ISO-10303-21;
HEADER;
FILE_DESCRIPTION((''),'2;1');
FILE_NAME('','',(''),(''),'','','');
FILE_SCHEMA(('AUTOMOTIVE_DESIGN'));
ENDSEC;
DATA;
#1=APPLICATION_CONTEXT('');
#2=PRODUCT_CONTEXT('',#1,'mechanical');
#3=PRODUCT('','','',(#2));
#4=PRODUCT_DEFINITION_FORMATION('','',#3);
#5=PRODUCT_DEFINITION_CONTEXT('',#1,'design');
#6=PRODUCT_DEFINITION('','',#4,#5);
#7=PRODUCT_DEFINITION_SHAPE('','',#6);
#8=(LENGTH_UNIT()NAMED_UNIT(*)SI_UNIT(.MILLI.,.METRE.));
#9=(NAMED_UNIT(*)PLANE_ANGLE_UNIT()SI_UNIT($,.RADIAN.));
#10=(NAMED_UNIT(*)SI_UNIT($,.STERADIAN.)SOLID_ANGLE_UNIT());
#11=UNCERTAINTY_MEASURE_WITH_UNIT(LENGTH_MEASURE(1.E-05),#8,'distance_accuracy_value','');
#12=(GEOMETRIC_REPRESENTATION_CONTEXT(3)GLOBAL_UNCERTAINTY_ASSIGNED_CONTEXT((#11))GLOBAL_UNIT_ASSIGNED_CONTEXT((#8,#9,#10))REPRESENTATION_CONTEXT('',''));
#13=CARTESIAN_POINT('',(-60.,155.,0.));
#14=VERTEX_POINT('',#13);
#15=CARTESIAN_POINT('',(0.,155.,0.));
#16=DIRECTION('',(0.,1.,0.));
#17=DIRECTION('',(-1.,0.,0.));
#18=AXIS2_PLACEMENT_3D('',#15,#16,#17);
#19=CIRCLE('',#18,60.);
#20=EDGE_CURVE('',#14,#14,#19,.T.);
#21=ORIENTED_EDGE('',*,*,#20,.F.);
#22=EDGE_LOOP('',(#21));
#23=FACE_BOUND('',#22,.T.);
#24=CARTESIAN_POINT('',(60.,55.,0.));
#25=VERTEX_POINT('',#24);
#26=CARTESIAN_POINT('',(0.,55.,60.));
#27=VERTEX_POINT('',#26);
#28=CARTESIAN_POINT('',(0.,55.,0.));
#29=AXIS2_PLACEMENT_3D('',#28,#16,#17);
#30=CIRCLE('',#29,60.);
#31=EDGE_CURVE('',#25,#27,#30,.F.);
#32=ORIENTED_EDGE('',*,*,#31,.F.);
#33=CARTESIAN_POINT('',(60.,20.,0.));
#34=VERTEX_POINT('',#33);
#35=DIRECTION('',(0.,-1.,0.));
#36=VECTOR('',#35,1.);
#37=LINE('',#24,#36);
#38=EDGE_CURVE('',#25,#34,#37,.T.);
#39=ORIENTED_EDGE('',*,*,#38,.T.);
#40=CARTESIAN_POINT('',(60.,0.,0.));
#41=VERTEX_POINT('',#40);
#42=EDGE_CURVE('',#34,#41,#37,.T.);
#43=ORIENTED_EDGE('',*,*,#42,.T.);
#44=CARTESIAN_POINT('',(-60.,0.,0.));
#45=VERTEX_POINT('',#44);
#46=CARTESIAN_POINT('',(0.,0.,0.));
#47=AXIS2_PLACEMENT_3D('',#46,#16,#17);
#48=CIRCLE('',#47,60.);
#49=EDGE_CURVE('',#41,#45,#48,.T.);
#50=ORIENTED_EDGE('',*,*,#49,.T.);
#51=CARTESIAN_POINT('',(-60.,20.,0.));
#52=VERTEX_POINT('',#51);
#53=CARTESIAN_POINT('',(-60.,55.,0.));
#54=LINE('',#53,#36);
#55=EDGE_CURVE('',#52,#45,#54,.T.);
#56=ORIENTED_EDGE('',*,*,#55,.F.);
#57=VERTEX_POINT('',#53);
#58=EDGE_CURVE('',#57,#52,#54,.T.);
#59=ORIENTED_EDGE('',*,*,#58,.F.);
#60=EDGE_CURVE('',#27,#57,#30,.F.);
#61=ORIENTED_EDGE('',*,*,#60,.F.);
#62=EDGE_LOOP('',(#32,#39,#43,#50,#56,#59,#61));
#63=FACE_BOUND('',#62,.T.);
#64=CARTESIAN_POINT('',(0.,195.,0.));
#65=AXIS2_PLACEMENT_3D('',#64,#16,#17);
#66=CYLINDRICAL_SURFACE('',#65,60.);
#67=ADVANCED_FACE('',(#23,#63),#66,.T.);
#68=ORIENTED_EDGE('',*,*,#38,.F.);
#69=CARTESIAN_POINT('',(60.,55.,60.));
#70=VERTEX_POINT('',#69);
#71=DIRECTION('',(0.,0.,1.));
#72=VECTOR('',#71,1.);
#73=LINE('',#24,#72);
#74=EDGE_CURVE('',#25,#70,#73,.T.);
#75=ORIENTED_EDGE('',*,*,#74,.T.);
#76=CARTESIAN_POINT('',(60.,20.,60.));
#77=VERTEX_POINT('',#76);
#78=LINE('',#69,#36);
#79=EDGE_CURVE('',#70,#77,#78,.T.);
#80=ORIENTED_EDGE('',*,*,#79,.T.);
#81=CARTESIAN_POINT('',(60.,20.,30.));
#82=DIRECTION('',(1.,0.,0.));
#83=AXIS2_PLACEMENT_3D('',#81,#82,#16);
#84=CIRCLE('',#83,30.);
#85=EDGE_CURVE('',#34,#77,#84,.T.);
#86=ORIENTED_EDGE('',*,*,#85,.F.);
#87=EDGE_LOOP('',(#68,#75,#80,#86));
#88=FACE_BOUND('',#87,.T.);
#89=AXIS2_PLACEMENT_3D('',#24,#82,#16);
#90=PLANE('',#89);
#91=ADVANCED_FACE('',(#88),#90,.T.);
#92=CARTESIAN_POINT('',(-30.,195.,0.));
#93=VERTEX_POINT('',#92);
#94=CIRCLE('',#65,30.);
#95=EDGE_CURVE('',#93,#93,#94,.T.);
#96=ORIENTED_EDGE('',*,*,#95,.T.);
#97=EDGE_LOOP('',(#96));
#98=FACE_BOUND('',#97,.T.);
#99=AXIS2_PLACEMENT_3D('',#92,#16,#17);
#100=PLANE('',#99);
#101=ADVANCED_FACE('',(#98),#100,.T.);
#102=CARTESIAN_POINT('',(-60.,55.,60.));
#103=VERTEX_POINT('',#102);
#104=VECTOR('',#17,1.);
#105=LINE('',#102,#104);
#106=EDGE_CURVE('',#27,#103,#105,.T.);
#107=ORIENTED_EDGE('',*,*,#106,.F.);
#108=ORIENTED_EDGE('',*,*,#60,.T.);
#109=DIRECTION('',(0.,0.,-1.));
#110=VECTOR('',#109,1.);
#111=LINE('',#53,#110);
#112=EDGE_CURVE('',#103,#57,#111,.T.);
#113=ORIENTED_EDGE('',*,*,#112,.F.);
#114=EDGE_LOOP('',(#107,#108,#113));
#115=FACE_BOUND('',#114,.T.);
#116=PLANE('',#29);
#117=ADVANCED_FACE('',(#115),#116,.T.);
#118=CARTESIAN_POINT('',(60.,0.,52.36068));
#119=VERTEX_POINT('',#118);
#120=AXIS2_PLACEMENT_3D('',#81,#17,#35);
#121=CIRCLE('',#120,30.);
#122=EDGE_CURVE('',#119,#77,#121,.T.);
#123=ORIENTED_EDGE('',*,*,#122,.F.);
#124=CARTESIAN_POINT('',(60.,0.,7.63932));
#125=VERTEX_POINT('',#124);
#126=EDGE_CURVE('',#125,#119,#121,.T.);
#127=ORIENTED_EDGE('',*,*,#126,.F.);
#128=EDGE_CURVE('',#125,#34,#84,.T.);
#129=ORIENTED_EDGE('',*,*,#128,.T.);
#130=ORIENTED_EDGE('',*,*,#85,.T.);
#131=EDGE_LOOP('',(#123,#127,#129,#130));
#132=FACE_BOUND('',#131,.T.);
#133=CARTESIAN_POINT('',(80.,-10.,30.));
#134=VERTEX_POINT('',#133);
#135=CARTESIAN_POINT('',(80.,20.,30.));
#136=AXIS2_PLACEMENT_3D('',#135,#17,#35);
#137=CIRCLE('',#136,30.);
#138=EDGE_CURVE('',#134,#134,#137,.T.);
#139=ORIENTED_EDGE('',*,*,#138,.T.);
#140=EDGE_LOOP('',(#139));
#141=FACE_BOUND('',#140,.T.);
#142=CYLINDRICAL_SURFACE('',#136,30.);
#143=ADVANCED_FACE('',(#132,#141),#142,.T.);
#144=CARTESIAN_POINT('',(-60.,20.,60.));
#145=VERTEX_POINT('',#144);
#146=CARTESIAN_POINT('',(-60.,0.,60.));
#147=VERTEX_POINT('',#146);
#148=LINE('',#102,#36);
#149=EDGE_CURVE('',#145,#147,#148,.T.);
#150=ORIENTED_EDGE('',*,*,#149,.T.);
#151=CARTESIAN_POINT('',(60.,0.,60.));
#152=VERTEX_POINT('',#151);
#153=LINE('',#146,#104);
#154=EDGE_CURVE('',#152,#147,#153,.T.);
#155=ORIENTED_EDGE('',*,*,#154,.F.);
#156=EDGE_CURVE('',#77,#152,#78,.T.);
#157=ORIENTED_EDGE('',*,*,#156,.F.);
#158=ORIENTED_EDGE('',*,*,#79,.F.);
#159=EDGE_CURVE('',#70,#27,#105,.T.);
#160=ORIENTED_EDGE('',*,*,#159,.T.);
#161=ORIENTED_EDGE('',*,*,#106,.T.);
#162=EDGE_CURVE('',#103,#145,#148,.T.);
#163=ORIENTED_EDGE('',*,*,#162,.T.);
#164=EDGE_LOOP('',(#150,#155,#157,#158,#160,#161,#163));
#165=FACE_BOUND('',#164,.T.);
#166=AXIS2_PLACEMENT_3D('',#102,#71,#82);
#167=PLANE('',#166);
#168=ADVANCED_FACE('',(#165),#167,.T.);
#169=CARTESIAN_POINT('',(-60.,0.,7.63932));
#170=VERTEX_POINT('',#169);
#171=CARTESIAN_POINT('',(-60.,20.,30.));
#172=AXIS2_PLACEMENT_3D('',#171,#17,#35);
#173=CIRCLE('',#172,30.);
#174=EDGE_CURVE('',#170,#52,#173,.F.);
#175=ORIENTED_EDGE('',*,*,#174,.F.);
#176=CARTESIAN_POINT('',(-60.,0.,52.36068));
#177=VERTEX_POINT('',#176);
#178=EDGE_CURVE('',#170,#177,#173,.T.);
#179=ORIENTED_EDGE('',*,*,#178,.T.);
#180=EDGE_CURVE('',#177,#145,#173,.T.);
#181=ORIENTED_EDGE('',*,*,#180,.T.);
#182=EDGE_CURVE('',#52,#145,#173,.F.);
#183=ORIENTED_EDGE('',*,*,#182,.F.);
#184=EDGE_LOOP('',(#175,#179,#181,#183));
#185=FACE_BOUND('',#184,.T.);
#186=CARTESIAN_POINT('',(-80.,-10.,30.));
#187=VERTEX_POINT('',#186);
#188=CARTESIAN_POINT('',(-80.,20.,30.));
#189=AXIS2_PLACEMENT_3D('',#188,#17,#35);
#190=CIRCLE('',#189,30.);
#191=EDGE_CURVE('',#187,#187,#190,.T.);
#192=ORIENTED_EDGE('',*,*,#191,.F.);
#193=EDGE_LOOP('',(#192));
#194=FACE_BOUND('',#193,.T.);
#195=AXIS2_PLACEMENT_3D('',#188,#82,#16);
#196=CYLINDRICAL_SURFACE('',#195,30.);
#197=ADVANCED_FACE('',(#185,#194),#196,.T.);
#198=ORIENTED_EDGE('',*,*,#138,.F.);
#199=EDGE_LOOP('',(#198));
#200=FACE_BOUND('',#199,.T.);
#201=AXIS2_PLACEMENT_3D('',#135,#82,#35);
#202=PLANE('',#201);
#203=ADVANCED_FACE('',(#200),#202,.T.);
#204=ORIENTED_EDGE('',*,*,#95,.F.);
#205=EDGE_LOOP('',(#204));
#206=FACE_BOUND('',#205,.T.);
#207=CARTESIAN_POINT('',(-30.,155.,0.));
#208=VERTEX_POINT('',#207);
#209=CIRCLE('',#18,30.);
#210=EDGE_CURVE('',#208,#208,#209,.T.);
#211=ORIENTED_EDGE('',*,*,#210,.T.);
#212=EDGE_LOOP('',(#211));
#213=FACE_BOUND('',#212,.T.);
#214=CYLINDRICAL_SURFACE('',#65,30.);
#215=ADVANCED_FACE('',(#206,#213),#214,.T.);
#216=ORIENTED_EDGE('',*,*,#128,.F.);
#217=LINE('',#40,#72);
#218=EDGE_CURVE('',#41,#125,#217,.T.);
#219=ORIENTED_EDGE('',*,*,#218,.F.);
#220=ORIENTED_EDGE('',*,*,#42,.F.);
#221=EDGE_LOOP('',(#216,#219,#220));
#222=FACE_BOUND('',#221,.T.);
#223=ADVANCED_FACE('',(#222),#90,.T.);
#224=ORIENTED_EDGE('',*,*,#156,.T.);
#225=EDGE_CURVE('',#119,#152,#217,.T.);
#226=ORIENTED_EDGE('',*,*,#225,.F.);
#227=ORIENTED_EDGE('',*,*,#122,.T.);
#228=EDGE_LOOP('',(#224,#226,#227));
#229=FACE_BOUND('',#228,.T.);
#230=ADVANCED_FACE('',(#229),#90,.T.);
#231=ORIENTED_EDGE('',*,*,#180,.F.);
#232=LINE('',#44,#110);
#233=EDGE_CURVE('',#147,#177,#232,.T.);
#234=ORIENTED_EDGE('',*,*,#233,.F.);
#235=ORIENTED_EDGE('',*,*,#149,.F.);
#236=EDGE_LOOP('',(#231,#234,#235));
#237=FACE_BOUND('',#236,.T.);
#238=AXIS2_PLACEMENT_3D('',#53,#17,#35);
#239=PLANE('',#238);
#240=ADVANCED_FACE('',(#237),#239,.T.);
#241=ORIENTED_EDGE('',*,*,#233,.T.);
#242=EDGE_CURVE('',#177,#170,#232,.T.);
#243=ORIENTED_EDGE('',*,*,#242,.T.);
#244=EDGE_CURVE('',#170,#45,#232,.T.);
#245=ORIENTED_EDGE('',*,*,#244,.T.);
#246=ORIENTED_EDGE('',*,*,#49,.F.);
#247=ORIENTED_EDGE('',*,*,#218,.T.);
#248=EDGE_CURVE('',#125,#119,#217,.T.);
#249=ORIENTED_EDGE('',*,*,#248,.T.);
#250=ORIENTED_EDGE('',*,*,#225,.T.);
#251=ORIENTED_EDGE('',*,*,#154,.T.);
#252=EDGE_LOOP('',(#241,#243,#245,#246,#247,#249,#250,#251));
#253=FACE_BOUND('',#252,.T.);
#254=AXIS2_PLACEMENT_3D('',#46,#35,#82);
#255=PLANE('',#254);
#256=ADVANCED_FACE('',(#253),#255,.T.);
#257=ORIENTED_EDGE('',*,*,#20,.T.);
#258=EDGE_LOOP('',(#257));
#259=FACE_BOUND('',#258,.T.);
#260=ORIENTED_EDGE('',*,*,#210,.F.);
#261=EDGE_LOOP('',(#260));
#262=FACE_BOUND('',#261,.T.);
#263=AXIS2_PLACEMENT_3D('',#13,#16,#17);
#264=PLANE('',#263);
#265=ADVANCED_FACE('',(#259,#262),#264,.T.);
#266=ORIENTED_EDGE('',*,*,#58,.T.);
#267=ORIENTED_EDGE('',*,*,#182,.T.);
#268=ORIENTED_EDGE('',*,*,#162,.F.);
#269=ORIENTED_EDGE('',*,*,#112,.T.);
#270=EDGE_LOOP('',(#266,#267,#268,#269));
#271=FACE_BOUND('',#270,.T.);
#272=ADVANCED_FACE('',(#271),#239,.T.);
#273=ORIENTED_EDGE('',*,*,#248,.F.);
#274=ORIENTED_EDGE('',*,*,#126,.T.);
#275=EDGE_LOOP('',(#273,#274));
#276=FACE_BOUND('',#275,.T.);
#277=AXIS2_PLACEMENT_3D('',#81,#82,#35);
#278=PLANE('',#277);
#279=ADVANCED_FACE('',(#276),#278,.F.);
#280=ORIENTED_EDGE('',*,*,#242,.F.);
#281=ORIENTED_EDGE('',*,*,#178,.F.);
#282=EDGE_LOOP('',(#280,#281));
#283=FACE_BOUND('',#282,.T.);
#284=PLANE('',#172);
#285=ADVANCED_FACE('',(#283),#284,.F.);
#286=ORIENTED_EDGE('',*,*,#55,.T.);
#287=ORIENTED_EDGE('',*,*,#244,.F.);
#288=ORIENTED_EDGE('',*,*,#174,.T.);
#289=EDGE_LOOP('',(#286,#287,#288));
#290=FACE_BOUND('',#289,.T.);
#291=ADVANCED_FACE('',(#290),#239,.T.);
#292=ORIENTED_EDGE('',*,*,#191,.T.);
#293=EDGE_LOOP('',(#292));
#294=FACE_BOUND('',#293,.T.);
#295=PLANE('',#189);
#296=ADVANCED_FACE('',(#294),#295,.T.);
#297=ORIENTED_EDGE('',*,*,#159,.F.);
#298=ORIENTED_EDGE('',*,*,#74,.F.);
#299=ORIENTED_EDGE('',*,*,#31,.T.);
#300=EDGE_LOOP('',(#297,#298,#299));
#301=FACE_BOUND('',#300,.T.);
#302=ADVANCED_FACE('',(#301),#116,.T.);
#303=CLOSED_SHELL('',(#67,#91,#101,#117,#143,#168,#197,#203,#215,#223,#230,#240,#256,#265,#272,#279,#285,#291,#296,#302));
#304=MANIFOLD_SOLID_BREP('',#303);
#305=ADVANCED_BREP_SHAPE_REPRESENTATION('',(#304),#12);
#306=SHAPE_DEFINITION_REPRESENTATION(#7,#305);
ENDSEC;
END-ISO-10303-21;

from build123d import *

# Parameters (mm, degrees)
ESQUISSE2_W        = 120
ESQUISSE2_H        = 60
BOSS_EXTRU_1_DEPTH = 55
ESQUISSE3_R        = 30
BOSS_EXTRU_2_DEPTH = 20


with BuildPart() as part:
    # Esquisse1 → Révolution1 (revolve)
    with BuildSketch(Plane.XY):
        Polygon((0, 0), (-60, 0), (-60, 155), (-30, 155), (-30, 195), (0, 195), align=None)
    revolve(axis=Axis((0, 195, 0), (0, -1, 0)))

    # Esquisse2 → Boss.-Extru.1 (add)
    with BuildSketch(Plane.XZ):
        with Locations((0, 30)):
            Rectangle(ESQUISSE2_W, ESQUISSE2_H)
    extrude(amount=-BOSS_EXTRU_1_DEPTH)

    # Esquisse3 → Boss.-Extru.2 (add)
    with BuildSketch(Plane.ZY.offset(60)):
        with Locations((30, 20)):
            Circle(ESQUISSE3_R)
    boss_extru_2 = extrude(amount=BOSS_EXTRU_2_DEPTH)

    # Symétrie1: Boss.-Extru.2 across plane
    add(boss_extru_2.mirror(Plane(origin=(0, 0, 0), x_dir=(0, 0, 1), z_dir=(1, 0, 0))))


solid = part.part
